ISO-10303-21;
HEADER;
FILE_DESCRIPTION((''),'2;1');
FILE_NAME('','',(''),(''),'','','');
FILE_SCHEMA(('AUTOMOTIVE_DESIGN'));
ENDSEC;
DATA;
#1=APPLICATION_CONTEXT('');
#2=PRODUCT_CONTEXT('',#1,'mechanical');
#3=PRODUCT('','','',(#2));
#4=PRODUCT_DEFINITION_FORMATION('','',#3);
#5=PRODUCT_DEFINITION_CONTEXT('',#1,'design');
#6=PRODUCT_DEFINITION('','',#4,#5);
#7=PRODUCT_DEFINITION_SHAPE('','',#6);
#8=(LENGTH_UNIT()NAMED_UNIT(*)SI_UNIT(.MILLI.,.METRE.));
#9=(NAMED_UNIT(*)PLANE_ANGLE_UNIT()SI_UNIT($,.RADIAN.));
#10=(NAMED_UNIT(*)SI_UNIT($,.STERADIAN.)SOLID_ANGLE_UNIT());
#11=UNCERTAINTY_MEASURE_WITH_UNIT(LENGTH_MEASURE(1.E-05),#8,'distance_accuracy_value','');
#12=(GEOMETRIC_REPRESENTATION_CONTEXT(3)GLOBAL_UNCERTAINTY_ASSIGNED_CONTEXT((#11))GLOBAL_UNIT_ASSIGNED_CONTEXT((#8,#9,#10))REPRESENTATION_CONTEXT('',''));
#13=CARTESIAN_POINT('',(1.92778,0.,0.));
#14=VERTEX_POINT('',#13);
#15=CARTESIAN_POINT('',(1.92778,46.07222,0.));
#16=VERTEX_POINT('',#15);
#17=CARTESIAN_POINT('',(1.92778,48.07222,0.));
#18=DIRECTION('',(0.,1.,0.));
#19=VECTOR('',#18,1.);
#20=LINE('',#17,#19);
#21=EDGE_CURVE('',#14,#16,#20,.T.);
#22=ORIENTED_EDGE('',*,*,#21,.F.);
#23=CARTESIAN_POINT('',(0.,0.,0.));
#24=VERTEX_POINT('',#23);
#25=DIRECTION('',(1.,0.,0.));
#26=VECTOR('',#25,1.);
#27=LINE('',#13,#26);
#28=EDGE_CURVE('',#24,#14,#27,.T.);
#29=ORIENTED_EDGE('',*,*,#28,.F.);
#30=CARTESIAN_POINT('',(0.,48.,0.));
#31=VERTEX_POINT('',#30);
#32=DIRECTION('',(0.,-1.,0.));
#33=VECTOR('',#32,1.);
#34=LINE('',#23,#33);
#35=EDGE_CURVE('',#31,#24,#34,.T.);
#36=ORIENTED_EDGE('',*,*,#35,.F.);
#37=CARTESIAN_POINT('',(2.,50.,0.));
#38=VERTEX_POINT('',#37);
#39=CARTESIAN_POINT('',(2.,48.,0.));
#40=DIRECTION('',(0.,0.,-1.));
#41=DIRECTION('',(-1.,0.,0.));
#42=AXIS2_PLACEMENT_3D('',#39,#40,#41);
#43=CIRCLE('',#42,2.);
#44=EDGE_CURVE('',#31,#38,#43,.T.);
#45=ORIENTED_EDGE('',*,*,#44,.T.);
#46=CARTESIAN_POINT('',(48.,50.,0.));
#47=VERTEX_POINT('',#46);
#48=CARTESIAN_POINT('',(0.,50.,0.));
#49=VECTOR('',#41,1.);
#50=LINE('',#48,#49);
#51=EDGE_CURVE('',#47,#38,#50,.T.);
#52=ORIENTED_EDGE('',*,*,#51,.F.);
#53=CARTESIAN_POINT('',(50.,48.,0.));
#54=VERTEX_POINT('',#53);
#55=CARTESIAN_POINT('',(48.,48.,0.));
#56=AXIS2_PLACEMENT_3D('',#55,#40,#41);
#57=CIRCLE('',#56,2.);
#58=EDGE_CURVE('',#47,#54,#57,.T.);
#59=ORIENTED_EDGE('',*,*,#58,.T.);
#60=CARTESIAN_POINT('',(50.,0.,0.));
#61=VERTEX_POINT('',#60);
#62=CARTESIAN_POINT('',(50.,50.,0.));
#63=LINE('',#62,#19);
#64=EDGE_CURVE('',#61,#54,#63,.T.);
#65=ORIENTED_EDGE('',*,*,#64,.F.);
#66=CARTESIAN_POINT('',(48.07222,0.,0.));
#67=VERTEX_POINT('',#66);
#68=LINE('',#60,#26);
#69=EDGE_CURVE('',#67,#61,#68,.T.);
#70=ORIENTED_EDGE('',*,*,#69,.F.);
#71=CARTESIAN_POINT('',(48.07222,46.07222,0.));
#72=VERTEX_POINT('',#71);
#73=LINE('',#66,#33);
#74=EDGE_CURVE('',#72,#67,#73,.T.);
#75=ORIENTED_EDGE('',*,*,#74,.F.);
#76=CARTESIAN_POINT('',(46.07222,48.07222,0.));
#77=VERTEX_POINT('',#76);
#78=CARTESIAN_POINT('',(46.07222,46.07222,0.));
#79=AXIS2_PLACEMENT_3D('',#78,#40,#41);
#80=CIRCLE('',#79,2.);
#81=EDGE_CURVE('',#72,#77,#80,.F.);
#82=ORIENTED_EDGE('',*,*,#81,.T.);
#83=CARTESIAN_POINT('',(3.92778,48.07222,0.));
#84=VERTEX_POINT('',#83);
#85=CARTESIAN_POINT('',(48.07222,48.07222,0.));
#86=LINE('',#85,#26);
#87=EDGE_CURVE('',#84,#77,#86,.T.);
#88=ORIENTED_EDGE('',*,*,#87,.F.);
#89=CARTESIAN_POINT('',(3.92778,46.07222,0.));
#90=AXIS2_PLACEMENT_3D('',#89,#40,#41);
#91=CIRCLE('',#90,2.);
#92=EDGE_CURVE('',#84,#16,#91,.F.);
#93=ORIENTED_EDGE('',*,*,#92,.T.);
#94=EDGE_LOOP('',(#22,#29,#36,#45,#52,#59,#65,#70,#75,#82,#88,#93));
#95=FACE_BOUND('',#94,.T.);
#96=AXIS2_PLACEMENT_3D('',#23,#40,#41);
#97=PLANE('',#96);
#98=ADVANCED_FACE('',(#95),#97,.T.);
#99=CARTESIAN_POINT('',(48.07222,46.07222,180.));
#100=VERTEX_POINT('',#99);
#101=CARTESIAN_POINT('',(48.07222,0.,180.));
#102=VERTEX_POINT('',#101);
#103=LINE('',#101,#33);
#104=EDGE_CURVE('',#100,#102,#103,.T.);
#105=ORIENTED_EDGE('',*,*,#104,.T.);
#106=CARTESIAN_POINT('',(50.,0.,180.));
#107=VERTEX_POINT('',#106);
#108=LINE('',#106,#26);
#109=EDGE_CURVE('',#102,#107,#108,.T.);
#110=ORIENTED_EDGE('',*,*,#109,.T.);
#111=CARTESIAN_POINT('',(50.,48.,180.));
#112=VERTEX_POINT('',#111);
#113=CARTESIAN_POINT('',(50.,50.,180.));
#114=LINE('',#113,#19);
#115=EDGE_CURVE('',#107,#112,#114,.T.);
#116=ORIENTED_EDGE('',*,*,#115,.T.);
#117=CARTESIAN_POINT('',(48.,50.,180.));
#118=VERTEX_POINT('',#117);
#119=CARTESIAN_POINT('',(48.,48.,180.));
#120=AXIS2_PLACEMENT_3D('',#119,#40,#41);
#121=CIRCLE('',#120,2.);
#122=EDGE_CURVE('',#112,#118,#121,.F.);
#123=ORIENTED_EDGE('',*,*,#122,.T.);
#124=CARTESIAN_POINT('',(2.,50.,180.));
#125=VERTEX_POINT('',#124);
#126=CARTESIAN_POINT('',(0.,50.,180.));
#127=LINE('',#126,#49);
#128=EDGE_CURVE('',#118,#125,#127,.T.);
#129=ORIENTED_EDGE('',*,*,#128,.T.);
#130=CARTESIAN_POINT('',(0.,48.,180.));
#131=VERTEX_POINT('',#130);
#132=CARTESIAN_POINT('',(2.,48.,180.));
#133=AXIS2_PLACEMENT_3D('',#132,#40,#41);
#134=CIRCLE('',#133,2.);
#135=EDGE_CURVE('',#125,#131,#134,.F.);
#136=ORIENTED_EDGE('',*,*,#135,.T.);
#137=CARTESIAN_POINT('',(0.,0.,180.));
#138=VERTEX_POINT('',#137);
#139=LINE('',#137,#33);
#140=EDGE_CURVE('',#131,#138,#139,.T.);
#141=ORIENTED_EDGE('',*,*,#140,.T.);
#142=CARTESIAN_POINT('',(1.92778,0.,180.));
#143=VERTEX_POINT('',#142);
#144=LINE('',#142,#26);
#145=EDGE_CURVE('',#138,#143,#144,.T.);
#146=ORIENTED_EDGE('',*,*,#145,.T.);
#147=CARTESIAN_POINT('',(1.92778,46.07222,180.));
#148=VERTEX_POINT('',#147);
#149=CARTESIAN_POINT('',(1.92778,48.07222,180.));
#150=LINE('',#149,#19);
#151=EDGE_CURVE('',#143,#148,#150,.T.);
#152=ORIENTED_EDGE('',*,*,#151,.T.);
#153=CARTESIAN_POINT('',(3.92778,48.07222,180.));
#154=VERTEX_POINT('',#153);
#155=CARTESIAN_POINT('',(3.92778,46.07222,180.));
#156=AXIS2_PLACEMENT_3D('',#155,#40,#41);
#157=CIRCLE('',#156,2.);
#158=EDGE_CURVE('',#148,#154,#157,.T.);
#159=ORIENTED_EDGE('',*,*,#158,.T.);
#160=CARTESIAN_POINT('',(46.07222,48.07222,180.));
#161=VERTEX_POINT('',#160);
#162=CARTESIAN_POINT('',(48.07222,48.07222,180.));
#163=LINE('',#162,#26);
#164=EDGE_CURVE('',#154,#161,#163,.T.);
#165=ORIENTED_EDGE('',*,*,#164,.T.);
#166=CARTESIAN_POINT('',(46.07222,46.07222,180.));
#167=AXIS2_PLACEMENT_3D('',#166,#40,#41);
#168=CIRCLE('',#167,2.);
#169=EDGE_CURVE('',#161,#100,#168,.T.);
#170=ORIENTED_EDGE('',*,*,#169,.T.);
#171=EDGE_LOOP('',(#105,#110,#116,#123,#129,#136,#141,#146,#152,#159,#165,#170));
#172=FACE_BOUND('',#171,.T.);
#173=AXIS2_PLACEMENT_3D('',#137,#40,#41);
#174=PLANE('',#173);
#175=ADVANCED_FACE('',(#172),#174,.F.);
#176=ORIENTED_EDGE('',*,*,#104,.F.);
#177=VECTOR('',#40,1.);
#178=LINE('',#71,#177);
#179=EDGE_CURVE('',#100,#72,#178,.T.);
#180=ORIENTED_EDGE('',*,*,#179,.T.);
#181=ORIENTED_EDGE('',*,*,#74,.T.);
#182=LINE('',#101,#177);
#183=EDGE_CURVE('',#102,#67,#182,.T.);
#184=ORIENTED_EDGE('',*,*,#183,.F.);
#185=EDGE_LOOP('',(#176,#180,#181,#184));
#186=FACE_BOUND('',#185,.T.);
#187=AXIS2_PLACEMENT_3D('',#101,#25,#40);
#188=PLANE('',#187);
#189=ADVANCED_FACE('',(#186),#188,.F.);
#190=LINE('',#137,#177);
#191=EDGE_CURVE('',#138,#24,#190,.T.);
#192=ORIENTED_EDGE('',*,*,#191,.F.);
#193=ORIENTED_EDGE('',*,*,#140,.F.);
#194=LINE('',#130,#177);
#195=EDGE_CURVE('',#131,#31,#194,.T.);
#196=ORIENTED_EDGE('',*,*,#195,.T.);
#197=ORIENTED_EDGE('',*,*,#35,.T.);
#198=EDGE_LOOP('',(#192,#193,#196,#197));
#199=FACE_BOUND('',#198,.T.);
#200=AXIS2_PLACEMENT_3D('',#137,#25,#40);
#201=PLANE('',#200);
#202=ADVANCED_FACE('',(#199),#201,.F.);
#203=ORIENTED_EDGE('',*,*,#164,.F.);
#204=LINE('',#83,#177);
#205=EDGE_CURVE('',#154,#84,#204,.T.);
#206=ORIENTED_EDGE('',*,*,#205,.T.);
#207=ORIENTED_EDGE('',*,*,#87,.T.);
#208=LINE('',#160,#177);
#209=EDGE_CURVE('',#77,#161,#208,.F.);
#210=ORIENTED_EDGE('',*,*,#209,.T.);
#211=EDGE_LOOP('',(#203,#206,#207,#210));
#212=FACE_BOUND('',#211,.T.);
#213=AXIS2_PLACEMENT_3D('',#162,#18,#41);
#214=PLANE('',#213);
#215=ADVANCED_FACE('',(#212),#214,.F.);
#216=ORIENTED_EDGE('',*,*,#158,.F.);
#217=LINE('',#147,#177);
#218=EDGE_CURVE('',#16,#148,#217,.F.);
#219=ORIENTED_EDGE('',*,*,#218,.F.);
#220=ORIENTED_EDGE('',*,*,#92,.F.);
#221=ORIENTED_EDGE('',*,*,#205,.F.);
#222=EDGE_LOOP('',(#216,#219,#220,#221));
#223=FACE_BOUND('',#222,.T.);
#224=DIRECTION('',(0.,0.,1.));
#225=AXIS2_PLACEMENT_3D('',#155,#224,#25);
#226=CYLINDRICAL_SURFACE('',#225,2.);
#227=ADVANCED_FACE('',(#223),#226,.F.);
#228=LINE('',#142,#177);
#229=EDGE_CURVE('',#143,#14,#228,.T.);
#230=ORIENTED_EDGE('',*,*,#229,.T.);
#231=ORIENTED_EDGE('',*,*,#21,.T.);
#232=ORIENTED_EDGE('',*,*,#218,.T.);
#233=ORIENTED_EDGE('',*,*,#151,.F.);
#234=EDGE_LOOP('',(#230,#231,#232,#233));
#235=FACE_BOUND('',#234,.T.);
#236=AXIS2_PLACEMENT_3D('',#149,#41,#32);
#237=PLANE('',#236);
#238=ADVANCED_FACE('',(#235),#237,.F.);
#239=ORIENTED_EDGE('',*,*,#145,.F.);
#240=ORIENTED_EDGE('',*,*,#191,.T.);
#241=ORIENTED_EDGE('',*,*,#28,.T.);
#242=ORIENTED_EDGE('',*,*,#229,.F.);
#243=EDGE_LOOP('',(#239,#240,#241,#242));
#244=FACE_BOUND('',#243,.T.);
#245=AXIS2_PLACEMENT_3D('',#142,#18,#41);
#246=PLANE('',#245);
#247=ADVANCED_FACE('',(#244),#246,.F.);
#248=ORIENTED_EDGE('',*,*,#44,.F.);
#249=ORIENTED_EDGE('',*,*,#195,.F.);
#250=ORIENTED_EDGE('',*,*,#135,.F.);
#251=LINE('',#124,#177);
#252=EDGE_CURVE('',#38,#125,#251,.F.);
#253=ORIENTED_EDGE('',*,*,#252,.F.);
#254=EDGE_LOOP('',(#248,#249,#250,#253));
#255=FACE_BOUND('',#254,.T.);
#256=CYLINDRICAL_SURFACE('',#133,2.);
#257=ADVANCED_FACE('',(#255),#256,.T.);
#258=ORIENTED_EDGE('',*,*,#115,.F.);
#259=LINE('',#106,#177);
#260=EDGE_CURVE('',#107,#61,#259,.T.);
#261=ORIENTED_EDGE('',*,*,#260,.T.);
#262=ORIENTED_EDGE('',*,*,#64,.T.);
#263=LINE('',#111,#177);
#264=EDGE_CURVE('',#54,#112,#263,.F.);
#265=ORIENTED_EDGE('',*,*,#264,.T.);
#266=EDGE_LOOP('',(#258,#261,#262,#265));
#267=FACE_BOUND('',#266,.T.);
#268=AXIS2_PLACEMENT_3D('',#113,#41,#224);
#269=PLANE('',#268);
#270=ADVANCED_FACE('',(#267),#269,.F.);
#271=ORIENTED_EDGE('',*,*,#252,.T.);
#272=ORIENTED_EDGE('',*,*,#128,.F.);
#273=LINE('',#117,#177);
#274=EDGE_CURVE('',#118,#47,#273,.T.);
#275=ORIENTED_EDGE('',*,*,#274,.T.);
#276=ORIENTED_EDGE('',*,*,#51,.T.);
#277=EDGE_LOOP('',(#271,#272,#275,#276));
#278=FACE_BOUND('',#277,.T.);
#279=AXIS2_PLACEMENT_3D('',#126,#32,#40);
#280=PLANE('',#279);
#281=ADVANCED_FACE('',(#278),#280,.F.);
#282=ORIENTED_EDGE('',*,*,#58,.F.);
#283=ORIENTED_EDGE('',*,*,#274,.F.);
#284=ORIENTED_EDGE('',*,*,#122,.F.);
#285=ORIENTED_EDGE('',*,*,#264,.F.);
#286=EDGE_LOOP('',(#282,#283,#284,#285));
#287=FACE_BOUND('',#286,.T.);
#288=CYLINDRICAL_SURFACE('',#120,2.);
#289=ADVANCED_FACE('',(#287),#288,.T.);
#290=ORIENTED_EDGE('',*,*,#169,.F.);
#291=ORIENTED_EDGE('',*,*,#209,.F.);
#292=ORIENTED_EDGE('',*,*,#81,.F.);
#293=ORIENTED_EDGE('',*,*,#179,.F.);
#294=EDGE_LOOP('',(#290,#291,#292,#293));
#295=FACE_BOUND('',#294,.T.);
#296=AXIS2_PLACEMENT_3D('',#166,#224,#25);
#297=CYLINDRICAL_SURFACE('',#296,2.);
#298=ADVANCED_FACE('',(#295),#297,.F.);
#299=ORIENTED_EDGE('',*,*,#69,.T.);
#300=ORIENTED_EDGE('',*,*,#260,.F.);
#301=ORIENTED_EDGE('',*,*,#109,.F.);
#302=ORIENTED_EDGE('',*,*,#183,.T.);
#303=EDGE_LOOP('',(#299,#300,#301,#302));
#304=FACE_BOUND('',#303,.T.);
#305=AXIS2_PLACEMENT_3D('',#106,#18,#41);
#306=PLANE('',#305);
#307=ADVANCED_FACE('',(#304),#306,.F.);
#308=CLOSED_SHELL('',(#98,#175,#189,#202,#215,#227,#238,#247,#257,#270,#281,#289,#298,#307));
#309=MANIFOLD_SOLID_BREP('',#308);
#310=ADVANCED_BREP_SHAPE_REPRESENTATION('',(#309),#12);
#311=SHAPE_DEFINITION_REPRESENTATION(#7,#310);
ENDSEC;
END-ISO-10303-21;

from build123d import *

# Parameters (mm, degrees)
BOSS_EXTRUDE1_DEPTH = 180
FILLET1_R           = 2


with BuildPart() as part:
    # Sketch1 → Boss-Extrude1 (new body)
    with BuildSketch(Plane.XY):
        Polygon((0, 0), (0, 50), (50, 50), (50, 0), (48.07222, 0), (48.07222, 48.07222), (1.92778, 48.07222), (1.92778, 0), align=None)
    extrude(amount=BOSS_EXTRUDE1_DEPTH)

    # Fillet1
    fillet1_edges = [part.edges().sort_by_distance(p)[0] for p in [
        (0, 50, 90),
        (50, 50, 90),
        (48.07222, 48.07222, 90),
        (1.92778, 48.07222, 90),
    ]]
    fillet(fillet1_edges, radius=FILLET1_R)


solid = part.part
